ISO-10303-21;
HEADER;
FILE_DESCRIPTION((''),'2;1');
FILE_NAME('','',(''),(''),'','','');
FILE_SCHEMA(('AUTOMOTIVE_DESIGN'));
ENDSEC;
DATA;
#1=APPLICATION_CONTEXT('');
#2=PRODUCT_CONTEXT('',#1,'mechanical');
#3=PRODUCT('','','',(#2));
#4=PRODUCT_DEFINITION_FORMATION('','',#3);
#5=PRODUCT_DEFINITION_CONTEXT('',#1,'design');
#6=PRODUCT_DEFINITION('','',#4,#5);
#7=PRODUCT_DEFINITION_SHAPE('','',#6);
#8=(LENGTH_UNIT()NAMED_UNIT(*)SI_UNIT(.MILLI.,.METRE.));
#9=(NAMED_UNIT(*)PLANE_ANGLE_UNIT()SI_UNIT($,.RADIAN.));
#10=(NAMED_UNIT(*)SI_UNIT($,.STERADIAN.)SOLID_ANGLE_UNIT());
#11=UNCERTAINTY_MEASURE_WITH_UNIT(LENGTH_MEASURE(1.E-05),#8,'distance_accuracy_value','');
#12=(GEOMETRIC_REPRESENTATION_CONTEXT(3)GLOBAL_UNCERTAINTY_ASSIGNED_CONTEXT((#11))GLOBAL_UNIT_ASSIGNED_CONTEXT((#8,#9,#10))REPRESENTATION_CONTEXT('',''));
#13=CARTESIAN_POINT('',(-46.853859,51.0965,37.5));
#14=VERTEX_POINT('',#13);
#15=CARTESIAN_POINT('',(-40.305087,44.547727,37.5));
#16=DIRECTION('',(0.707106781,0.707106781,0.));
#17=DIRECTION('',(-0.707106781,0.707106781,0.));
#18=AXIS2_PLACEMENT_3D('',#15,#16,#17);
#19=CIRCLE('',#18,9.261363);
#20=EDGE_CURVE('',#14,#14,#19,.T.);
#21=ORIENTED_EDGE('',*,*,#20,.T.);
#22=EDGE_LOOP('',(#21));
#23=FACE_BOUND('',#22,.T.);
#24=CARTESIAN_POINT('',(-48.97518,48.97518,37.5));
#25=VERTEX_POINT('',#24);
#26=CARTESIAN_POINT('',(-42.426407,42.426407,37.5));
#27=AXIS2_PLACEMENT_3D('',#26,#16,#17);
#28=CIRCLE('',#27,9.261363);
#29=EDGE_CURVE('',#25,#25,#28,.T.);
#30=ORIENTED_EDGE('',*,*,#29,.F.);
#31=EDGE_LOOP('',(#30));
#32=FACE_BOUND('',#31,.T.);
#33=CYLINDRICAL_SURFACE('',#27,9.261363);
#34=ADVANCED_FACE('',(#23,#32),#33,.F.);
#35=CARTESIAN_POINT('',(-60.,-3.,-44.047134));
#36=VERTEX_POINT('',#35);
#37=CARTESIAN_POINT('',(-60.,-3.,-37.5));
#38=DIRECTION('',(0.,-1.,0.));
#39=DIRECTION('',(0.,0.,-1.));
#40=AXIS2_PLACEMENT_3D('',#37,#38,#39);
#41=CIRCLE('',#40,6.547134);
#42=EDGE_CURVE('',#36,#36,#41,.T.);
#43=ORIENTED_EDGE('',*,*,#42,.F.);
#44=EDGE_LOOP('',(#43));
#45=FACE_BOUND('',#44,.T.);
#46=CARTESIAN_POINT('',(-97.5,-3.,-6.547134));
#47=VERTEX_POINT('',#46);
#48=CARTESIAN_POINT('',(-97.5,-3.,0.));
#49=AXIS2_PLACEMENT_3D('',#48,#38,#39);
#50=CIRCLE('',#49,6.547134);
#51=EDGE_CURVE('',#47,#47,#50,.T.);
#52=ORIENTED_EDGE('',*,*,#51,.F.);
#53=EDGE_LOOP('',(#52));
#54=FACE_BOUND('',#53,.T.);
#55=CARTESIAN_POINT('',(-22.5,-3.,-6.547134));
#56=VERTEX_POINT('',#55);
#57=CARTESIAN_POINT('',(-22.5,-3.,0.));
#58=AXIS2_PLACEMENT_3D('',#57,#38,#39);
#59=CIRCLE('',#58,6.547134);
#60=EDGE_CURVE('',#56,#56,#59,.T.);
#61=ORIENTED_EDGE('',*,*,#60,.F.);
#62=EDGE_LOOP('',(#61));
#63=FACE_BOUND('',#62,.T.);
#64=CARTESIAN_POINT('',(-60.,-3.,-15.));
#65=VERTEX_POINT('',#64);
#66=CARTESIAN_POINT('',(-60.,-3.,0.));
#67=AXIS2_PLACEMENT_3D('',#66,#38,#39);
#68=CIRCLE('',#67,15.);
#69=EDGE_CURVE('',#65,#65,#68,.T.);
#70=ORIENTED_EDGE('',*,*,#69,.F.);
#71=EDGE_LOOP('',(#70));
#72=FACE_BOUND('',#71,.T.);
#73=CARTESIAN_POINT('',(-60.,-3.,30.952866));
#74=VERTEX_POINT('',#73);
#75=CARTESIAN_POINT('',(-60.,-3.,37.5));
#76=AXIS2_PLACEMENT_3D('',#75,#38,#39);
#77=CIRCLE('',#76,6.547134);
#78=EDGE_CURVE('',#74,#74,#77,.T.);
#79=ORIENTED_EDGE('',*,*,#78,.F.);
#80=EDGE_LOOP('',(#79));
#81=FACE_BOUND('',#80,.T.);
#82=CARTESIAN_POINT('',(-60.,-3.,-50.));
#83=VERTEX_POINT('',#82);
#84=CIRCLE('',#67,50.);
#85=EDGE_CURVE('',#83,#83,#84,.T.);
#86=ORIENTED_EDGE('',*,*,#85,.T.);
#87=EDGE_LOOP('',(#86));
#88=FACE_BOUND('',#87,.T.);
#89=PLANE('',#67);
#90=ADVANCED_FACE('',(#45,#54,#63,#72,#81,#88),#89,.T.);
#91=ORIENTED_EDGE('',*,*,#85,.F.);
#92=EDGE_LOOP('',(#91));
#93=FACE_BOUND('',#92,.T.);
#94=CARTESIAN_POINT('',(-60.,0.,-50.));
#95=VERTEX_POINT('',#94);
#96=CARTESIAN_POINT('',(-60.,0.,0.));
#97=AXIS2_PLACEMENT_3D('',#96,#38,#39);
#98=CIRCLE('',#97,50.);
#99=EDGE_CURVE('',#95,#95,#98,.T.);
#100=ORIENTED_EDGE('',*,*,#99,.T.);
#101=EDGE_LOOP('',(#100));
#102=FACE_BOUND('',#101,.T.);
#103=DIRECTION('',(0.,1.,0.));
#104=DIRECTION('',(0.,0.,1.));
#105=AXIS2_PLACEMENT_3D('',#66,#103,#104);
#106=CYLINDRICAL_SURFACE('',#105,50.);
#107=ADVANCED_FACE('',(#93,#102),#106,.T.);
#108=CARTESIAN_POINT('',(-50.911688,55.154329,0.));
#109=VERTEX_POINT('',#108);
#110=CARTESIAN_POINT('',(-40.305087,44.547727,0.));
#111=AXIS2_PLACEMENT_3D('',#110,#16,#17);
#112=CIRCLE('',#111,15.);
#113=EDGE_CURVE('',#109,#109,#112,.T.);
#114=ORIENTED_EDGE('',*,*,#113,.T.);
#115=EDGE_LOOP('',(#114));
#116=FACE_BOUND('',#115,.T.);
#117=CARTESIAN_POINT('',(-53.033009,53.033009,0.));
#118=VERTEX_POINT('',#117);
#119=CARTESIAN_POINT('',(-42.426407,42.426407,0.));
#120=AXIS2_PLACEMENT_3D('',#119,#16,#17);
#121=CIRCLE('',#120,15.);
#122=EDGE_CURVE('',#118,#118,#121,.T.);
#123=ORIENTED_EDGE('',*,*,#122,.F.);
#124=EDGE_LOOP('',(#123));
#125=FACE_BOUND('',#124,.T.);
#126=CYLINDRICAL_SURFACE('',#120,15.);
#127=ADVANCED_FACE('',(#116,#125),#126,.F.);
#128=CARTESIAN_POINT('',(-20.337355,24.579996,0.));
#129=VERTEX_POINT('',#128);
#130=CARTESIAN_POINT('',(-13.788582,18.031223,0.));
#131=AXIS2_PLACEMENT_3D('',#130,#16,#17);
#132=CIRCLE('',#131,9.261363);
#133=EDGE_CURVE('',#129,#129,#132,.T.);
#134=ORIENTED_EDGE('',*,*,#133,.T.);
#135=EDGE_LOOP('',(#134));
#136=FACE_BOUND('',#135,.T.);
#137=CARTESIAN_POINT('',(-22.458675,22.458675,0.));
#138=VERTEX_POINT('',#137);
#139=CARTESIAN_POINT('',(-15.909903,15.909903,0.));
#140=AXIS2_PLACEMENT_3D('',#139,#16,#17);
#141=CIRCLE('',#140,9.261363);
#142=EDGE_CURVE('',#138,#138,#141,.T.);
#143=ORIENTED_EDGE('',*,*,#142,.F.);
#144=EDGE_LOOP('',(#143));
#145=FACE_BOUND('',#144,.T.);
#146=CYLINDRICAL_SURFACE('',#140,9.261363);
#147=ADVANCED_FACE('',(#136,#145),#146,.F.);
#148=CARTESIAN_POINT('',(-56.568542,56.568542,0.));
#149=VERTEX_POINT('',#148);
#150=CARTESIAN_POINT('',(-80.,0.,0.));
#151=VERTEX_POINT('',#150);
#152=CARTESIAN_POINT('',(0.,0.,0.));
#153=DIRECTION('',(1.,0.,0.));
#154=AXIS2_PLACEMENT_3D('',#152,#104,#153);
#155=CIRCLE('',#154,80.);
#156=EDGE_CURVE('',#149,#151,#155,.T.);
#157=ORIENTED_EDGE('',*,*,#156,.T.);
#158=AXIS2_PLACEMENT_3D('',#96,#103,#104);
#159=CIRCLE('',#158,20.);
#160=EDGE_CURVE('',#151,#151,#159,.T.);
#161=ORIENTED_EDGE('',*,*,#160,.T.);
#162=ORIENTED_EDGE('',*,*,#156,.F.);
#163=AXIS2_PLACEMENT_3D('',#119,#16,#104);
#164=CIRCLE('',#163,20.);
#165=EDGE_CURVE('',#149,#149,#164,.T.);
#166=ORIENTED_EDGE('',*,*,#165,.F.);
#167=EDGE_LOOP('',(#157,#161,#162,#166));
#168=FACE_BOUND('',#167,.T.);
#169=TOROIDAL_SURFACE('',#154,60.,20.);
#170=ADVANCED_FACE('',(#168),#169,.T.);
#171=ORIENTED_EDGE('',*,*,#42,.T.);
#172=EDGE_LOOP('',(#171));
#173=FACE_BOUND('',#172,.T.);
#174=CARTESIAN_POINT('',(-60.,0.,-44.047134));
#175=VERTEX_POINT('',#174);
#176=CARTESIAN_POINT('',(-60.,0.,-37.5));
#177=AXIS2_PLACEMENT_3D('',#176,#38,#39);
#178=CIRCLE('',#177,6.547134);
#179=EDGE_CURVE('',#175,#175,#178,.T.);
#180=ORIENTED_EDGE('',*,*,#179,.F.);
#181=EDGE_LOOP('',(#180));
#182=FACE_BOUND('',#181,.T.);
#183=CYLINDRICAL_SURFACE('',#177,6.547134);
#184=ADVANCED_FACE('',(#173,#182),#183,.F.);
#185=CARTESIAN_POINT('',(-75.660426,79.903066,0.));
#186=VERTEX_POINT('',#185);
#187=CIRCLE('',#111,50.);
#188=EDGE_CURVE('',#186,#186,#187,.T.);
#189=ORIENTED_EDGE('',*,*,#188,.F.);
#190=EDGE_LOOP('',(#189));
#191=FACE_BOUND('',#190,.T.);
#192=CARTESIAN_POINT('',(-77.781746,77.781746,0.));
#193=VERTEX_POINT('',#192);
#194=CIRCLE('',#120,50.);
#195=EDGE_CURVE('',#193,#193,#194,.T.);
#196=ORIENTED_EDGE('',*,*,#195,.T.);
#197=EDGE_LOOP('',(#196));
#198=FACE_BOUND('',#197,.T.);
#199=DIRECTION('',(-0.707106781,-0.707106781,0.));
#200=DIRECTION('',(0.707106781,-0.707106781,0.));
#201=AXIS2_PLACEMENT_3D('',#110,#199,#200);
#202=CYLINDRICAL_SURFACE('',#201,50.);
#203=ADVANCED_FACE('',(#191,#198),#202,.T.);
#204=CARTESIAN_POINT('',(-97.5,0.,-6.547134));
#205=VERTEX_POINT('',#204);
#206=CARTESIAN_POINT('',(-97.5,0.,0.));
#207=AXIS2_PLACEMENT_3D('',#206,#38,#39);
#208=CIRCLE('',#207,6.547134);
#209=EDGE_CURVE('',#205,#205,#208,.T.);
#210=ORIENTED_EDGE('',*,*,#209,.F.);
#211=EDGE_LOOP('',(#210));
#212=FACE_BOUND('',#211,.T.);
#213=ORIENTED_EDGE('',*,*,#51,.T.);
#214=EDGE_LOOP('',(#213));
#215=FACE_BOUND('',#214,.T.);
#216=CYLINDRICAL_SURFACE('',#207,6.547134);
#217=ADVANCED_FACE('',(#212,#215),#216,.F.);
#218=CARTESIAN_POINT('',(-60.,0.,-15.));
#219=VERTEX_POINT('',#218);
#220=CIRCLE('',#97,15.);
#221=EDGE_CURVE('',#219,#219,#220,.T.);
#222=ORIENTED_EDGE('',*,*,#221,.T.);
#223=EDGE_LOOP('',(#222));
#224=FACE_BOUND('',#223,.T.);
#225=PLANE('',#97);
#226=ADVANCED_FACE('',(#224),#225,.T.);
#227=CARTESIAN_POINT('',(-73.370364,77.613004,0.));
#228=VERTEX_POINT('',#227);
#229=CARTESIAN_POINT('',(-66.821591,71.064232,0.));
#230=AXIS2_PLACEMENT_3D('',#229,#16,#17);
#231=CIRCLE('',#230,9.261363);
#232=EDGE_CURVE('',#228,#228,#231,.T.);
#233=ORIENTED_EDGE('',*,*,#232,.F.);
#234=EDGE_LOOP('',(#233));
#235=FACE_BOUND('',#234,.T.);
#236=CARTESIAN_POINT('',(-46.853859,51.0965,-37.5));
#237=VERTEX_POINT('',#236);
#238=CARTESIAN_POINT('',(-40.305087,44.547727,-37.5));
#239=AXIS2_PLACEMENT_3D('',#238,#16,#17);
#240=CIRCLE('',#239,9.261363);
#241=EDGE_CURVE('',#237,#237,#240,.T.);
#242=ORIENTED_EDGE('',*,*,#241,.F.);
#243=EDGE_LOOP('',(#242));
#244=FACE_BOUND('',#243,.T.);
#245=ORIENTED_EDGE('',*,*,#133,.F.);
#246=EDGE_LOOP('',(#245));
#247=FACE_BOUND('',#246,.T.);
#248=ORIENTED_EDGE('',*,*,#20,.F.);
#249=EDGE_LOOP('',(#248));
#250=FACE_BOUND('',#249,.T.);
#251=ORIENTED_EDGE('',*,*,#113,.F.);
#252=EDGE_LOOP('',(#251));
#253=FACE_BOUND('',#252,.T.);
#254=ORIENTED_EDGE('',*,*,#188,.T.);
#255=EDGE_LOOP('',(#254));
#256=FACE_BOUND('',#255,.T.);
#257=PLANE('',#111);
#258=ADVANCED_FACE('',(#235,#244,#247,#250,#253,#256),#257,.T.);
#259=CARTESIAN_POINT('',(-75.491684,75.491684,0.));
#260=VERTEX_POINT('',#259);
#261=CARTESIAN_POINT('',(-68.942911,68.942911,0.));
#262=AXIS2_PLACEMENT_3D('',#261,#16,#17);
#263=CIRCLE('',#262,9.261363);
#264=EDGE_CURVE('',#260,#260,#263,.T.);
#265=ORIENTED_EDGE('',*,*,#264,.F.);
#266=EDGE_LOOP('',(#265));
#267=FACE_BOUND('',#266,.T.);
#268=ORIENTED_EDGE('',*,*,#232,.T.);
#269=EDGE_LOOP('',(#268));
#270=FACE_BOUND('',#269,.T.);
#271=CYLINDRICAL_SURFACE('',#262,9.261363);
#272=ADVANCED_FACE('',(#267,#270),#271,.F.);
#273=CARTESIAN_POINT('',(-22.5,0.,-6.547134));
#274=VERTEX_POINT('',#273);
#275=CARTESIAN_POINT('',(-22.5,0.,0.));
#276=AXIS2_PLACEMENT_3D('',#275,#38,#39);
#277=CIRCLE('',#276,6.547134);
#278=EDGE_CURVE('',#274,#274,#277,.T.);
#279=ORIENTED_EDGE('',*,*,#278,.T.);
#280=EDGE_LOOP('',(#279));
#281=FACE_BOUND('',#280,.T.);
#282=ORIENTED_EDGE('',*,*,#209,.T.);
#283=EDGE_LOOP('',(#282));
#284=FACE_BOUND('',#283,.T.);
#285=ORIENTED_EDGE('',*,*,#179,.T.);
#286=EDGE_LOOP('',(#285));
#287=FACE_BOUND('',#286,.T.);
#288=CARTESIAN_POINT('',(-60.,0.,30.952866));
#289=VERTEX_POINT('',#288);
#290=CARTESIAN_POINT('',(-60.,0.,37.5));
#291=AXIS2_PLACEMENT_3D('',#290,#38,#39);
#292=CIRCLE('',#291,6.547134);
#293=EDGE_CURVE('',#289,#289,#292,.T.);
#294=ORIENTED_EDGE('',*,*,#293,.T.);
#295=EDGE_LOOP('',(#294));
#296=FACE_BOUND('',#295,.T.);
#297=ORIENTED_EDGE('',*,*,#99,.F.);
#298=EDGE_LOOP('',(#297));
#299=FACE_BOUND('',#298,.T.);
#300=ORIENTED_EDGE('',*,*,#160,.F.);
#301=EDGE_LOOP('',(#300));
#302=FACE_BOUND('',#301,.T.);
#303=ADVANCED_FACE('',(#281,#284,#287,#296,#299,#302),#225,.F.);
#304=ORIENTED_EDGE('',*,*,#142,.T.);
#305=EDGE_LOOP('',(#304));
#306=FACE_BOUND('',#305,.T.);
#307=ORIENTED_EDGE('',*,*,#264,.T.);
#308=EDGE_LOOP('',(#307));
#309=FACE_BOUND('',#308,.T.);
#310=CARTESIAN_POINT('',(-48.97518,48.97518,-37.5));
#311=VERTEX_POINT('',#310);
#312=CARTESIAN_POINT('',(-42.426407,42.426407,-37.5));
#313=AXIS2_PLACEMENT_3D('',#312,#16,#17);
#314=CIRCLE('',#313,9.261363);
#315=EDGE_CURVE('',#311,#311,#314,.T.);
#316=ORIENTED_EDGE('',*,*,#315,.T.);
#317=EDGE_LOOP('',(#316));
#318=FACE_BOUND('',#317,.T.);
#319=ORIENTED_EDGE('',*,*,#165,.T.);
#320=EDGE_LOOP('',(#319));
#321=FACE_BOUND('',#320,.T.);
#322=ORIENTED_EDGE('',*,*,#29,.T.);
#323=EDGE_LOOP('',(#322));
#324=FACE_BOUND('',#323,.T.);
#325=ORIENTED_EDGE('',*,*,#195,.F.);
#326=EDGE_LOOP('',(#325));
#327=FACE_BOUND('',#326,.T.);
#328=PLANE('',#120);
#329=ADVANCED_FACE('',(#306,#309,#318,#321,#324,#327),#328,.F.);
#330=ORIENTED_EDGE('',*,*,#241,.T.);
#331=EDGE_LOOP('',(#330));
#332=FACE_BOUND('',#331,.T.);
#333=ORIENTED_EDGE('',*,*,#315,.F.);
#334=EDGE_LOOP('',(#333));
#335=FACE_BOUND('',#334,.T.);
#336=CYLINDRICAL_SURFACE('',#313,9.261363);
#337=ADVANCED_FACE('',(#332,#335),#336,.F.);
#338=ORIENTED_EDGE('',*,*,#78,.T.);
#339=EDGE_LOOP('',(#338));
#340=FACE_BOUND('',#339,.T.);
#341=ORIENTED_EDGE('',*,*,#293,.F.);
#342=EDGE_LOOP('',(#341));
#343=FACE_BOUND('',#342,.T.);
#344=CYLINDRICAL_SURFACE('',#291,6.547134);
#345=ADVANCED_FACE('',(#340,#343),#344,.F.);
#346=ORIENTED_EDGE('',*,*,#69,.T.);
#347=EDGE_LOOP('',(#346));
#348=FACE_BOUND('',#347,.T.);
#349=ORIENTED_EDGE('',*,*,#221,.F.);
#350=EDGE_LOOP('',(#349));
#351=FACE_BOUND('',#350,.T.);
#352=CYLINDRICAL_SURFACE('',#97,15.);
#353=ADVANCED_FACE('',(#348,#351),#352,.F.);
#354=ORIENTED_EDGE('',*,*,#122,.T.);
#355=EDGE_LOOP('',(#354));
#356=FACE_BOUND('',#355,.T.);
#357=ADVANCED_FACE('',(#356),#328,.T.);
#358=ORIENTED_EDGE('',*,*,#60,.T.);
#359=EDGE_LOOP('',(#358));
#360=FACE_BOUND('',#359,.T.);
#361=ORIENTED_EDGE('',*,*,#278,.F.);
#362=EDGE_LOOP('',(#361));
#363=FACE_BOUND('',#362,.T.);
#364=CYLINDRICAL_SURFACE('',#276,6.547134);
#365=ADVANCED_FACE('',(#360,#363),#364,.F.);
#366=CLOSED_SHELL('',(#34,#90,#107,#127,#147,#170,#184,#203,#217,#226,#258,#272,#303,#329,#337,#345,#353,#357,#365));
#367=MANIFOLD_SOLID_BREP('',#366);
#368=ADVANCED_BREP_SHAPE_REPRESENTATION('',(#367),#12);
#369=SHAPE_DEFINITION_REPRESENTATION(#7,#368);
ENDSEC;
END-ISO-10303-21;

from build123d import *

# Parameters (mm, degrees)
SKETCH_2_R          = 20
SKETCH_5_R          = 50
EXTRUDE_1_DEPTH     = 3
SKETCH_6_R          = 15
SKETCH_6_R_2        = 9.261363372
CUT_EXTRUDE_1_DEPTH = 3
SKETCH_8_R          = 50
EXTRUDE_2_DEPTH     = 3
SKETCH_9_R          = 15
SKETCH_9_R_2        = 6.547134089
CUT_EXTRUDE_2_DEPTH = 3


with BuildPart() as part:
    # 扫描1: sweep along a path in 草图1
    with BuildLine(Plane.XY) as sweep_1_path:
        ThreePointArc((-42.426406871, 42.426406871), (-55.432771951, 22.961005942), (-60, 0))
    # 草图2 → 扫描1 (sweep)
    with BuildSketch(Plane(origin=(0, 0, 0), x_dir=(1, 0, 0), z_dir=(0, 1, 0))):
        with Locations((-60, 0)):
            Circle(SKETCH_2_R)
    sweep(path=sweep_1_path.line)

    # 草图5 → 凸台-拉伸1 (add)
    with BuildSketch(Plane(origin=(0, 0, 0), x_dir=(0, 0, -1), z_dir=(0.7071067811865434, 0.7071067811865517, 0))):
        with Locations(Location((0, 60, 0), (0, 0, 90))):
            Circle(SKETCH_5_R)
    extrude(amount=EXTRUDE_1_DEPTH)

    # 草图6 → 切除-拉伸1 (cut)
    with BuildSketch(Plane(origin=(2.121320344, 2.121320344, 0), x_dir=(0, 0, -1), z_dir=(0.7071067811865434, 0.7071067811865517, 0))):
        with Locations(Location((0, 60, 0), (0, 0, 90))):
            Circle(SKETCH_6_R)
        with Locations(Location((0, 97.5, 0), (0, 0, 90))):
            Circle(SKETCH_6_R_2)
        with Locations(Location((37.5, 60, 0), (0, 0, 90))):
            Circle(SKETCH_6_R_2)
        with Locations(Location((0, 22.5, 0), (0, 0, 90))):
            Circle(SKETCH_6_R_2)
        with Locations(Location((-37.5, 60, 0), (0, 0, 90))):
            Circle(SKETCH_6_R_2)
    extrude(amount=-CUT_EXTRUDE_1_DEPTH, mode=Mode.SUBTRACT)

    # 草图8 → 凸台-拉伸2 (add)
    with BuildSketch(Plane.XZ):
        with Locations(Location((-60, 0, 0), (0, 0, 270))):
            Circle(SKETCH_8_R)
    extrude(amount=EXTRUDE_2_DEPTH)

    # 草图9 → 切除-拉伸2 (cut)
    with BuildSketch(Plane.XZ.offset(3)):
        with Locations(Location((-60, 0, 0), (0, 0, 270))):
            Circle(SKETCH_9_R)
        with Locations(Location((-60, 37.5, 0), (0, 0, 270))):
            Circle(SKETCH_9_R_2)
        with Locations(Location((-22.5, 0, 0), (0, 0, 270))):
            Circle(SKETCH_9_R_2)
        with Locations(Location((-60, -37.5, 0), (0, 0, 270))):
            Circle(SKETCH_9_R_2)
        with Locations(Location((-97.5, 0, 0), (0, 0, 270))):
            Circle(SKETCH_9_R_2)
    extrude(amount=-CUT_EXTRUDE_2_DEPTH, mode=Mode.SUBTRACT)


solid = part.part
